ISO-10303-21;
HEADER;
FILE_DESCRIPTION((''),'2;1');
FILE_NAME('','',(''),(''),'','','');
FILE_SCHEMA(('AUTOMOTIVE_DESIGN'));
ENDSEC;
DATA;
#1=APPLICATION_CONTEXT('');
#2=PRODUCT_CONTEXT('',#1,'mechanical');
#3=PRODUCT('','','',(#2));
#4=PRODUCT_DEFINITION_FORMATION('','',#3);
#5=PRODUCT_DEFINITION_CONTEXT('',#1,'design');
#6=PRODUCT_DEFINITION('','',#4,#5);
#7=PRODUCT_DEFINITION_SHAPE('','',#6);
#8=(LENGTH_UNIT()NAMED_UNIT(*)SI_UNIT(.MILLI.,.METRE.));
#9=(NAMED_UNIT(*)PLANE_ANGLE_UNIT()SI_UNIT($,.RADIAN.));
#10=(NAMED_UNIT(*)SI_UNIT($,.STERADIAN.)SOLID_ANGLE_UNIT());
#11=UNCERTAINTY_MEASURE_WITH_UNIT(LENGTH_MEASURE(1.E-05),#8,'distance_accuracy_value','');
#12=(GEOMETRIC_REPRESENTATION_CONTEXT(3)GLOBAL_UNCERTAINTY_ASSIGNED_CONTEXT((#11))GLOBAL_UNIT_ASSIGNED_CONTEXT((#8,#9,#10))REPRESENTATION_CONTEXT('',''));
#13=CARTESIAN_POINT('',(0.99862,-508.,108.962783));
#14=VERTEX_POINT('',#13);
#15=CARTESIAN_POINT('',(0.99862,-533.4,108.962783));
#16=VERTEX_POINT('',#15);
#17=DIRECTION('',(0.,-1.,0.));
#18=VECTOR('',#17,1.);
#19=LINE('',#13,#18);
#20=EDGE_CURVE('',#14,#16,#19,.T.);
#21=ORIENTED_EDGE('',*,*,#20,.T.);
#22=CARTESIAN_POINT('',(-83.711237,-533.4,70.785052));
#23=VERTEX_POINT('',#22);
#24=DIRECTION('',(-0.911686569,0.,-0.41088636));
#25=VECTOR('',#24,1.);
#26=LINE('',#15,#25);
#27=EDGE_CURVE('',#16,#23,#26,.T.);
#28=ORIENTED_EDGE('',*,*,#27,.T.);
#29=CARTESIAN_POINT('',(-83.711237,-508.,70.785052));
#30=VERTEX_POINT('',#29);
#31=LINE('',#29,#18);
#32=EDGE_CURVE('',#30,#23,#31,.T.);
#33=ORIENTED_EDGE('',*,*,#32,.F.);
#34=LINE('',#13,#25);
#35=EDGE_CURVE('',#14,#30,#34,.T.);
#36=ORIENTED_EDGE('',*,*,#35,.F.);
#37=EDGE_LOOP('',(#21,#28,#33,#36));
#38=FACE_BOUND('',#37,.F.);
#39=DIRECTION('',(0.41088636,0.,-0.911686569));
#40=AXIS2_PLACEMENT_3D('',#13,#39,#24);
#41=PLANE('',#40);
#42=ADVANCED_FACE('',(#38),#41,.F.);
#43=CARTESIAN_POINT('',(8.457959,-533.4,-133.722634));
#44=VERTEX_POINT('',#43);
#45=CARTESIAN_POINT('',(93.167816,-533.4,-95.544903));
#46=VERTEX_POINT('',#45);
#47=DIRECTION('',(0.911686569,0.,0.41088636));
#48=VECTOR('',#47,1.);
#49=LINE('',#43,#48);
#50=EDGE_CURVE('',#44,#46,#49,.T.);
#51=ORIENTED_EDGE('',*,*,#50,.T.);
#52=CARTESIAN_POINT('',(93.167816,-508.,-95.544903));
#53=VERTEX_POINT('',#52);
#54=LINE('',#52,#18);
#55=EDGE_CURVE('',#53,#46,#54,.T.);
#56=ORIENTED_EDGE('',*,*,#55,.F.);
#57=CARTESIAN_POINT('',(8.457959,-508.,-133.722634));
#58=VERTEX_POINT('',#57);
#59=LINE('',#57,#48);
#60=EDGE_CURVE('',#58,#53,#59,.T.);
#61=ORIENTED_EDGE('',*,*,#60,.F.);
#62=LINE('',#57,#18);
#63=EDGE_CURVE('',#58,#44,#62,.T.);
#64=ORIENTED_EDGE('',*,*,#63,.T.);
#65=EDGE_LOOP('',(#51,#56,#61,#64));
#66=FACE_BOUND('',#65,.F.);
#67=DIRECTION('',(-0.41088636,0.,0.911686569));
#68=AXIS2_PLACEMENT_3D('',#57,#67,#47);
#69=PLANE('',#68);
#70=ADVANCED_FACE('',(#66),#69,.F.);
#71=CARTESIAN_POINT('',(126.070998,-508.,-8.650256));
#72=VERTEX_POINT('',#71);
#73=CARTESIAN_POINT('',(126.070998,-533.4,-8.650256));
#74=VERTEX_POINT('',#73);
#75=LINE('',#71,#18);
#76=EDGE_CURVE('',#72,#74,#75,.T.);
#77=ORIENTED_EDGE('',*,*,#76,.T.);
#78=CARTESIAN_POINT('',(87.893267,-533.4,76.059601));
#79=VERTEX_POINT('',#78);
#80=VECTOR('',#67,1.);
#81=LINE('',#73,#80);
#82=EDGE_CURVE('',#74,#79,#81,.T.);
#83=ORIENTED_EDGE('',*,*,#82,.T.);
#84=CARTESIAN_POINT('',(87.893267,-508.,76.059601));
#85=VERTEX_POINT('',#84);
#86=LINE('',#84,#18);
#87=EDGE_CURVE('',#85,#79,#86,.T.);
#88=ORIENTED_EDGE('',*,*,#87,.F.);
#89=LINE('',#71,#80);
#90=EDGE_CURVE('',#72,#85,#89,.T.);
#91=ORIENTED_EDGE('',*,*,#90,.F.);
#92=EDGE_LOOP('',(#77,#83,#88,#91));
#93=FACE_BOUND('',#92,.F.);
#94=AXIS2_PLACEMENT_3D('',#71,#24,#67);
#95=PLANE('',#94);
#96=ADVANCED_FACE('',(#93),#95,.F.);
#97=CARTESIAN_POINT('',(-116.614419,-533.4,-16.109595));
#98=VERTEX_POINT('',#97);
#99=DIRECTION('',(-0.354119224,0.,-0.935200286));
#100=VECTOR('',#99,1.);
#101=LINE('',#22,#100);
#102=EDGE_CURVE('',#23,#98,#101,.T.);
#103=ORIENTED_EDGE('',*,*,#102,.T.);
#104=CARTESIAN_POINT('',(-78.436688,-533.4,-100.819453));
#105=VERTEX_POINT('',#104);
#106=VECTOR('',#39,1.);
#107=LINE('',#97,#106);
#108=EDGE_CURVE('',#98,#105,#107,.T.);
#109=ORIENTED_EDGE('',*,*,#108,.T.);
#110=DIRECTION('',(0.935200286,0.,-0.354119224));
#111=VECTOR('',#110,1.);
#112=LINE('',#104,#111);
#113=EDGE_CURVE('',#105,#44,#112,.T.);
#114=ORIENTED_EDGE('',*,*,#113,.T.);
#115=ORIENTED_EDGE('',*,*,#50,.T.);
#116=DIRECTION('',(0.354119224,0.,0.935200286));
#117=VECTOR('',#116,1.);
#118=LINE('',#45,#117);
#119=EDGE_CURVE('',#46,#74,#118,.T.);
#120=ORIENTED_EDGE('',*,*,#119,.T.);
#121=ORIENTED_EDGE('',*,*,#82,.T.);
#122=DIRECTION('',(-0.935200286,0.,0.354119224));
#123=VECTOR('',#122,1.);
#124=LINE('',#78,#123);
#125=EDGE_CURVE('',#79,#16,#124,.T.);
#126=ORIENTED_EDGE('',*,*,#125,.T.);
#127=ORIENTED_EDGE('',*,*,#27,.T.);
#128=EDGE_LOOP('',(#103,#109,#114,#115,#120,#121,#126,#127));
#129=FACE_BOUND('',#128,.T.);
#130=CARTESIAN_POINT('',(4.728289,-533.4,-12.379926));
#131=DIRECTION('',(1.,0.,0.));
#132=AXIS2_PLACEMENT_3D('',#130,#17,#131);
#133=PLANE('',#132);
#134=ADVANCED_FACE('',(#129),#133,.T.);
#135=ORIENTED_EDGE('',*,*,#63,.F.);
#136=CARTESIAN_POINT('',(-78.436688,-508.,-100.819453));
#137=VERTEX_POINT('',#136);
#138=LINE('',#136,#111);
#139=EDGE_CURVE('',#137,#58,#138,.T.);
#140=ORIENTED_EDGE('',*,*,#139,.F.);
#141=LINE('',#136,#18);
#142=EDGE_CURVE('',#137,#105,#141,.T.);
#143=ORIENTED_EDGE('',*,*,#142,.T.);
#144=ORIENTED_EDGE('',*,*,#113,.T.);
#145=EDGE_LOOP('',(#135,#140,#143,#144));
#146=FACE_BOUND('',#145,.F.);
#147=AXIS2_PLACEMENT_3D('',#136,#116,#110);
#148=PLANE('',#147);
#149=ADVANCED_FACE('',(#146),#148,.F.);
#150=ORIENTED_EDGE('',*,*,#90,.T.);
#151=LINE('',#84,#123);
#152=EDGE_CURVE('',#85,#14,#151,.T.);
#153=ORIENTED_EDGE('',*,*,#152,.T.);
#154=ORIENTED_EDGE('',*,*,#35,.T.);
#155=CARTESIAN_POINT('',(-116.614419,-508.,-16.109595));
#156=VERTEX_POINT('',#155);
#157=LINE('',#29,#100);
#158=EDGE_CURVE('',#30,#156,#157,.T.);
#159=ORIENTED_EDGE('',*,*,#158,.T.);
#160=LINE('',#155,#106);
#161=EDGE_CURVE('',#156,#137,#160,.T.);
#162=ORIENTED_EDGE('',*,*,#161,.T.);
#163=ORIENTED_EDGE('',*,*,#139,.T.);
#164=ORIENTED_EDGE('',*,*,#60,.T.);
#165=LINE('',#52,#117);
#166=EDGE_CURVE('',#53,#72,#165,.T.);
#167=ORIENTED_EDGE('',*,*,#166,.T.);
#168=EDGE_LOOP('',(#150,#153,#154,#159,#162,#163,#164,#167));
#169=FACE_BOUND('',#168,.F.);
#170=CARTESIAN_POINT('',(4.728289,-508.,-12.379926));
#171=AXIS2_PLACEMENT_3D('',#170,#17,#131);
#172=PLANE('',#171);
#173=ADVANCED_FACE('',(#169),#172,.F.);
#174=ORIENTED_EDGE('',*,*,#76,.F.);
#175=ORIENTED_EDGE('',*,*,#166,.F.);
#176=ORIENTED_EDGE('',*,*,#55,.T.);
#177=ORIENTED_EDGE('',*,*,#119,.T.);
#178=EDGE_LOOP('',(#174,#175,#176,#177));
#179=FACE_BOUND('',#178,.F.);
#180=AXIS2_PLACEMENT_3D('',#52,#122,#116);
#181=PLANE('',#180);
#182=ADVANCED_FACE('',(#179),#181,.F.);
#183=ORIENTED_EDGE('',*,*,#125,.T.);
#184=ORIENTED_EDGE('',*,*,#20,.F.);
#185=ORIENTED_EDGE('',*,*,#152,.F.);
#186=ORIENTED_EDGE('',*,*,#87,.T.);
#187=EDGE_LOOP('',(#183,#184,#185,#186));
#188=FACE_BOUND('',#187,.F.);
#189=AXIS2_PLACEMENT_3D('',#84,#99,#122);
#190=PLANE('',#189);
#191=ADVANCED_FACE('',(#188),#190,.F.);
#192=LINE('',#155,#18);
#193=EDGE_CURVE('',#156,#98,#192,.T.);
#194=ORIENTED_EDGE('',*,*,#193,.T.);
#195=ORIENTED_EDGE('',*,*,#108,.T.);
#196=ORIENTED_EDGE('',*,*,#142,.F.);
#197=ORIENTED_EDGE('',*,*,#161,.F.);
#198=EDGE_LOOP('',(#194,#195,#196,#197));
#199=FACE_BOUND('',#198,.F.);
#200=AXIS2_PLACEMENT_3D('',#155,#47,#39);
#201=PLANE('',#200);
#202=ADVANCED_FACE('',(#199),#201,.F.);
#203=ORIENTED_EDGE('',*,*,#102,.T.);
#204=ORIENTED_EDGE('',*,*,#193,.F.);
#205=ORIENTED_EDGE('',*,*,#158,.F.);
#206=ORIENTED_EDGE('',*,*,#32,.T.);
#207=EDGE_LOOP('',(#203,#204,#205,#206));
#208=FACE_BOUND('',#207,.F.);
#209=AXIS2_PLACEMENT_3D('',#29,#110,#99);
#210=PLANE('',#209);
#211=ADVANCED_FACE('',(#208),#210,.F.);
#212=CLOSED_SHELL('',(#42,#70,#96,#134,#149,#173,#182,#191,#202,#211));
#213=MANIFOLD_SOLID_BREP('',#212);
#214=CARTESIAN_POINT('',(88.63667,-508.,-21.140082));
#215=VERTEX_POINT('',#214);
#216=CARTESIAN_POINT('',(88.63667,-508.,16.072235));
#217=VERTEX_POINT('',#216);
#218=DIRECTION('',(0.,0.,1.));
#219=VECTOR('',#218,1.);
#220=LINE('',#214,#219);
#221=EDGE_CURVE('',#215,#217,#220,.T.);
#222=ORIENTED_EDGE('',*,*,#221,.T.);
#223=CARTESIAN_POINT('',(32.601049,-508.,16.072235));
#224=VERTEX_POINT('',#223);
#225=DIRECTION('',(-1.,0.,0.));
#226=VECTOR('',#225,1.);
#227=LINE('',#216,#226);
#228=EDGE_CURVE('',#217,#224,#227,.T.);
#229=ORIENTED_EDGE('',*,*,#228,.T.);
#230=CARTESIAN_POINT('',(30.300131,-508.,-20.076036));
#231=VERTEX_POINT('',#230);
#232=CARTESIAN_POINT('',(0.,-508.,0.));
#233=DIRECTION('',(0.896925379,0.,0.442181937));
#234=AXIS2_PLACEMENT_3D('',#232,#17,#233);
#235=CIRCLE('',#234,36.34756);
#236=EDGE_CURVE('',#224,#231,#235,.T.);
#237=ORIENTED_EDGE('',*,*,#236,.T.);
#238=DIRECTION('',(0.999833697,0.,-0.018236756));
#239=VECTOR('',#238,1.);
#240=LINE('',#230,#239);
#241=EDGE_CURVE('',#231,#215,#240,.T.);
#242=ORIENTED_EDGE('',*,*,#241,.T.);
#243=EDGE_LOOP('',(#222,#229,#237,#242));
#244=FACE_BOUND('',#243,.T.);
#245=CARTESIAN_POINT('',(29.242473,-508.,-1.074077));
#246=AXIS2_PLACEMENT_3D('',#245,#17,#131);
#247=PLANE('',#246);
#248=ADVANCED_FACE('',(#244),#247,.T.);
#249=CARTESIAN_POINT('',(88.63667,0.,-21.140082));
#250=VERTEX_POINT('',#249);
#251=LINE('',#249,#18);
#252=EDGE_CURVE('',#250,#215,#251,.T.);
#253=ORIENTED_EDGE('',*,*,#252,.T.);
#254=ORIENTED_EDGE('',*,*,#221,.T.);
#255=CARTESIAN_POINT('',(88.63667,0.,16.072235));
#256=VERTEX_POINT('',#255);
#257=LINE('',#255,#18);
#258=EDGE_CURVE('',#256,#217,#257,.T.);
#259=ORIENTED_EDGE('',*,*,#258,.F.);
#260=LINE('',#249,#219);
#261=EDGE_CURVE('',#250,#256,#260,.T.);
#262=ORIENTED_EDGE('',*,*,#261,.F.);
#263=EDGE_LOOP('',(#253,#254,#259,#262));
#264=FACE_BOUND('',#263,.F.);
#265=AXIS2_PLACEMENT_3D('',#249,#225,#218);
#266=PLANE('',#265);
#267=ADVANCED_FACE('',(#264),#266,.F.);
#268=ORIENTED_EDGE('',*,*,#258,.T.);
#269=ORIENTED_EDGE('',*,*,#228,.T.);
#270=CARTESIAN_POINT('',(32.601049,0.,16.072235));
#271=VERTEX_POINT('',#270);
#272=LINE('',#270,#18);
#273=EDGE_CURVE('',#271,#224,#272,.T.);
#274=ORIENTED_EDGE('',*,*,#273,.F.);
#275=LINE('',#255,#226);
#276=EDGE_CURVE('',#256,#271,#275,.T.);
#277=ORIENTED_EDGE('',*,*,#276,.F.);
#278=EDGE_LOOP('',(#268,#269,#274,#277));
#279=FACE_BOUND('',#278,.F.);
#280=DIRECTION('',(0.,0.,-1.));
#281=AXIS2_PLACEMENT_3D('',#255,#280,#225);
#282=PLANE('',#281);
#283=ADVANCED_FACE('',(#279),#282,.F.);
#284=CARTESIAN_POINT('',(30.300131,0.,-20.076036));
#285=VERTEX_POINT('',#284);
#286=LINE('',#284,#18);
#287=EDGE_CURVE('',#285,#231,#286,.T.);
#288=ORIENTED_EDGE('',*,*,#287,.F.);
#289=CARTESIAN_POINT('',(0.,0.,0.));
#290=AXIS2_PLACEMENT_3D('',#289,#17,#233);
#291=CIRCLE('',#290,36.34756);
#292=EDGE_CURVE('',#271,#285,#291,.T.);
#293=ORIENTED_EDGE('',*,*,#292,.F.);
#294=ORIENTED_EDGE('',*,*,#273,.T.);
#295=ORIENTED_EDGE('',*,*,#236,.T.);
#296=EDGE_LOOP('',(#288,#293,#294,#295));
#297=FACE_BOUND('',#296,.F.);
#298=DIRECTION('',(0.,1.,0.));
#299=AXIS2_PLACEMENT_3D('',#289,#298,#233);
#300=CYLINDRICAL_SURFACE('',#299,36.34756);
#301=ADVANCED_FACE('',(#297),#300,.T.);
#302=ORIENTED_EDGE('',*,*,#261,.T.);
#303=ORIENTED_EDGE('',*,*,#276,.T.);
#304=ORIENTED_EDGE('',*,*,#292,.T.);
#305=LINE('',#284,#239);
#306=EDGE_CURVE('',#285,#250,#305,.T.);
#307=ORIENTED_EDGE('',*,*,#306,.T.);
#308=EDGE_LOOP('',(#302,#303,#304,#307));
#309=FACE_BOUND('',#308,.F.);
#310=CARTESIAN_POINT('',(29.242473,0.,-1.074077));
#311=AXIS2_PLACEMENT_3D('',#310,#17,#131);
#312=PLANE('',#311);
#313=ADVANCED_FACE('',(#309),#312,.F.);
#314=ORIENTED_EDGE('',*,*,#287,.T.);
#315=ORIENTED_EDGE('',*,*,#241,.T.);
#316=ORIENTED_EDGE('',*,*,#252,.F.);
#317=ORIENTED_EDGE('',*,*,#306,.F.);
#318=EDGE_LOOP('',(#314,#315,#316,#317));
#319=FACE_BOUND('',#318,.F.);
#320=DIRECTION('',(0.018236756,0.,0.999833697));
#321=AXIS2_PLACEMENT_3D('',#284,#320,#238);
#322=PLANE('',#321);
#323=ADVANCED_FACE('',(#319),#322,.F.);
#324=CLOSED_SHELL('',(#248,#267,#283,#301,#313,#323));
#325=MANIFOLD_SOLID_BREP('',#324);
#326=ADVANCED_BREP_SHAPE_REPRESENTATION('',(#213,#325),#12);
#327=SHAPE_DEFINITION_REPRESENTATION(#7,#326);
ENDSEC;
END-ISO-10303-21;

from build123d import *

# Parameters (mm, degrees)
F1_DEPTH = 508
F4_DEPTH = 25.4


with BuildPart() as f1:
    # F0 (on Front) → F1 (new body)
    with BuildSketch(Plane.XZ):
        with BuildLine():
            Line((88.6366697668, 16.0722345858), (32.6010492352, 16.0722345858))
            ThreePointArc((32.6010492352, 16.0722345858), (-36.2741502146, 2.3089309281), (30.3001308518, -20.0760356193))
            Line((30.3001308518, -20.0760356193), (88.6366697668, -21.140081808))
            Line((88.6366697668, -21.140081808), (88.6366697668, 16.0722345858))
        make_face()
    extrude(amount=F1_DEPTH)


with BuildPart() as f4:
    # F3 (on offset) → F4 (new body)
    with BuildSketch(Plane.XZ.offset(508)):
        Polygon((-78.4366879534, -100.8194525046), (8.4579590629, -133.7226342159), (93.1678161276, -95.5449029725), (126.0709978389, -8.6502559562), (87.8932665955, 76.0596011085), (0.9986195792, 108.9627828198), (-83.7112374855, 70.7850515764), (-116.6144191968, -16.1095954399), align=None)
    extrude(amount=F4_DEPTH)


solid = Compound([f1.part, f4.part])
